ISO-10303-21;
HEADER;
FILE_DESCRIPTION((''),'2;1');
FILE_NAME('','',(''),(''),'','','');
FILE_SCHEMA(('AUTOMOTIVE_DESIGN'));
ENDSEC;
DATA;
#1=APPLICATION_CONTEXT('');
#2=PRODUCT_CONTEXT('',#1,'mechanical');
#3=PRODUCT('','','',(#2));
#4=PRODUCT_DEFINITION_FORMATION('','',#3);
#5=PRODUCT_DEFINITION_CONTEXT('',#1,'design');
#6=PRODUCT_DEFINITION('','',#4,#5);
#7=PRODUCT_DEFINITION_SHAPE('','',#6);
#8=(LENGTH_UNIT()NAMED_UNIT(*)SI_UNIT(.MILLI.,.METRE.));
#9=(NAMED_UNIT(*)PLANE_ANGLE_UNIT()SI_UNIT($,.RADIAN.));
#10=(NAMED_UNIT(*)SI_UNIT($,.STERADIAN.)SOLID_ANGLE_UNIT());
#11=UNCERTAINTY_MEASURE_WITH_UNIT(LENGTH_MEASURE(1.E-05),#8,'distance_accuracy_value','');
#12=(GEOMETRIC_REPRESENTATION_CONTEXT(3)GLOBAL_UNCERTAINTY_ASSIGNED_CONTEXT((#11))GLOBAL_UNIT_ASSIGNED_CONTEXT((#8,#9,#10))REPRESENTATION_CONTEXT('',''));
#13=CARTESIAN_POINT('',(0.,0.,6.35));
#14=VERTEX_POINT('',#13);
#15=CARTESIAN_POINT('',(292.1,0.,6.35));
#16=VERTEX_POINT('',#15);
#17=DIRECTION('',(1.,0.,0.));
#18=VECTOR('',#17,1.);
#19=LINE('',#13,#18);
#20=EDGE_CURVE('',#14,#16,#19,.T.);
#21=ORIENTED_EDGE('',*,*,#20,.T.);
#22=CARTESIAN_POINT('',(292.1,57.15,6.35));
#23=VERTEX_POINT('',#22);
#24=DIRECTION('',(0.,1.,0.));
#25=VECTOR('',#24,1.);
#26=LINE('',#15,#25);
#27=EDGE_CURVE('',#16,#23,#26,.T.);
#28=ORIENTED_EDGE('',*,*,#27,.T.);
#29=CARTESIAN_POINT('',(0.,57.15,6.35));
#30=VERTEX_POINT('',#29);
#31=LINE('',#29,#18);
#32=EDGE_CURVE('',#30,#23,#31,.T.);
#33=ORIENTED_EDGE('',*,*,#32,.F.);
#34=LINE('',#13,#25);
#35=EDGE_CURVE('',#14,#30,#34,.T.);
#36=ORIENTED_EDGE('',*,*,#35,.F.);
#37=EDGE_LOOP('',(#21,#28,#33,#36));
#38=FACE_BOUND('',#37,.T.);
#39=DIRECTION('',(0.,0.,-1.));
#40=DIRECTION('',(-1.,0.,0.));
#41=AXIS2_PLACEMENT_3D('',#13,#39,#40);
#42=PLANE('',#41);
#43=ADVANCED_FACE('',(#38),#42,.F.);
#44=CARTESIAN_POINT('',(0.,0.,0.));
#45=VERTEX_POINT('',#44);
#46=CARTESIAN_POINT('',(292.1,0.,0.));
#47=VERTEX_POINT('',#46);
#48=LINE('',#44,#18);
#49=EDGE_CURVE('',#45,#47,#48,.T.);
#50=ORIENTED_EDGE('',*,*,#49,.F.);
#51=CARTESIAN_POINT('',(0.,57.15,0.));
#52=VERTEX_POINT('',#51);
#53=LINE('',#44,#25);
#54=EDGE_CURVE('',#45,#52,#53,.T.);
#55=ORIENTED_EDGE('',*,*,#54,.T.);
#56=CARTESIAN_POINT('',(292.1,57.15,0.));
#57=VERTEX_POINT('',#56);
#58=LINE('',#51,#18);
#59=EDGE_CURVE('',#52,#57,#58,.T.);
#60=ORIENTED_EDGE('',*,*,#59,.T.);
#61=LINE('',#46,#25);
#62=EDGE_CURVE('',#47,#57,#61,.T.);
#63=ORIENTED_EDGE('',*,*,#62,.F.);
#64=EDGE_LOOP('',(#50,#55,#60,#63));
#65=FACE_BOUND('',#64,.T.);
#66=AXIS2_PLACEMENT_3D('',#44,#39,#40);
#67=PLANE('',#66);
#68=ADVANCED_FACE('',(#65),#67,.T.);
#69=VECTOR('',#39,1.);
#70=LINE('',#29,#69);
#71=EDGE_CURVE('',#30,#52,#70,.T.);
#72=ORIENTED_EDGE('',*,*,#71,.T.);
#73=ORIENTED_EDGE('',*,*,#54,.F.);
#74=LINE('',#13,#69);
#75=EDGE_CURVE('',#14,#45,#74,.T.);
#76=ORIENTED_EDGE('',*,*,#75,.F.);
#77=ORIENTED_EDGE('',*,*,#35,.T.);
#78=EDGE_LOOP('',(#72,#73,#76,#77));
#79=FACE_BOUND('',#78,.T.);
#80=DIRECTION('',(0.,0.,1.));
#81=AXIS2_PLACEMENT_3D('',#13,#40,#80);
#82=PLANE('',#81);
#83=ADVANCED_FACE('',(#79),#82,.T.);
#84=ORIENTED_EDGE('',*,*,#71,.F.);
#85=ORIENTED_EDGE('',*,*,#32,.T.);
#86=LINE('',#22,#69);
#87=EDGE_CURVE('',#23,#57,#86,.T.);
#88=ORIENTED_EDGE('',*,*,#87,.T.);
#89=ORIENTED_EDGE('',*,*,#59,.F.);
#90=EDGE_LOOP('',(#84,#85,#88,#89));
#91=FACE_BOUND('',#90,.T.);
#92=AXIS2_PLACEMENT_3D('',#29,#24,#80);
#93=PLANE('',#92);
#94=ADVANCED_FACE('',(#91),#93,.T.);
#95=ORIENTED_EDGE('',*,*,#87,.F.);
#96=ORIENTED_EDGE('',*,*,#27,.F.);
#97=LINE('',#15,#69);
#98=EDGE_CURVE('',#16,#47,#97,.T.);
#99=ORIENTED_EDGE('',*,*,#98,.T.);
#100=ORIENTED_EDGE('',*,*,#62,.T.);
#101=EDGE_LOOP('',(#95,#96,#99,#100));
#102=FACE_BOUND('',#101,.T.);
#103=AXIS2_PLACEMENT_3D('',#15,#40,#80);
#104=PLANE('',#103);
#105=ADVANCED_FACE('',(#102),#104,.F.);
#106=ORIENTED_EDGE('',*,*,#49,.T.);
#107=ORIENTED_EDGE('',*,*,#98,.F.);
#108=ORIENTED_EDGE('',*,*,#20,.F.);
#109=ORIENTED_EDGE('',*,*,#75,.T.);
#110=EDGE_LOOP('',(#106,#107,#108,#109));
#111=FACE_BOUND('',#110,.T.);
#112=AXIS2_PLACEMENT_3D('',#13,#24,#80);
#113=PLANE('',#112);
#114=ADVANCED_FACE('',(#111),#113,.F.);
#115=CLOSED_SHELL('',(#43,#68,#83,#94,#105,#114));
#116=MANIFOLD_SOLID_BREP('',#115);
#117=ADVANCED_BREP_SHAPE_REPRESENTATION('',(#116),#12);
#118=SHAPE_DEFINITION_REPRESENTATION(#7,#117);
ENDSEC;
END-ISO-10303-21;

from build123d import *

# Parameters (mm, degrees)
SKETCH1_W           = 292.1
SKETCH1_H           = 57.15
BOSS_EXTRUDE1_DEPTH = 6.35


with BuildPart() as part:
    # Sketch1 → Boss-Extrude1 (new body)
    with BuildSketch(Plane.XY):
        with Locations((146.05, 28.575)):
            Rectangle(SKETCH1_W, SKETCH1_H)
    extrude(amount=BOSS_EXTRUDE1_DEPTH)


solid = part.part
